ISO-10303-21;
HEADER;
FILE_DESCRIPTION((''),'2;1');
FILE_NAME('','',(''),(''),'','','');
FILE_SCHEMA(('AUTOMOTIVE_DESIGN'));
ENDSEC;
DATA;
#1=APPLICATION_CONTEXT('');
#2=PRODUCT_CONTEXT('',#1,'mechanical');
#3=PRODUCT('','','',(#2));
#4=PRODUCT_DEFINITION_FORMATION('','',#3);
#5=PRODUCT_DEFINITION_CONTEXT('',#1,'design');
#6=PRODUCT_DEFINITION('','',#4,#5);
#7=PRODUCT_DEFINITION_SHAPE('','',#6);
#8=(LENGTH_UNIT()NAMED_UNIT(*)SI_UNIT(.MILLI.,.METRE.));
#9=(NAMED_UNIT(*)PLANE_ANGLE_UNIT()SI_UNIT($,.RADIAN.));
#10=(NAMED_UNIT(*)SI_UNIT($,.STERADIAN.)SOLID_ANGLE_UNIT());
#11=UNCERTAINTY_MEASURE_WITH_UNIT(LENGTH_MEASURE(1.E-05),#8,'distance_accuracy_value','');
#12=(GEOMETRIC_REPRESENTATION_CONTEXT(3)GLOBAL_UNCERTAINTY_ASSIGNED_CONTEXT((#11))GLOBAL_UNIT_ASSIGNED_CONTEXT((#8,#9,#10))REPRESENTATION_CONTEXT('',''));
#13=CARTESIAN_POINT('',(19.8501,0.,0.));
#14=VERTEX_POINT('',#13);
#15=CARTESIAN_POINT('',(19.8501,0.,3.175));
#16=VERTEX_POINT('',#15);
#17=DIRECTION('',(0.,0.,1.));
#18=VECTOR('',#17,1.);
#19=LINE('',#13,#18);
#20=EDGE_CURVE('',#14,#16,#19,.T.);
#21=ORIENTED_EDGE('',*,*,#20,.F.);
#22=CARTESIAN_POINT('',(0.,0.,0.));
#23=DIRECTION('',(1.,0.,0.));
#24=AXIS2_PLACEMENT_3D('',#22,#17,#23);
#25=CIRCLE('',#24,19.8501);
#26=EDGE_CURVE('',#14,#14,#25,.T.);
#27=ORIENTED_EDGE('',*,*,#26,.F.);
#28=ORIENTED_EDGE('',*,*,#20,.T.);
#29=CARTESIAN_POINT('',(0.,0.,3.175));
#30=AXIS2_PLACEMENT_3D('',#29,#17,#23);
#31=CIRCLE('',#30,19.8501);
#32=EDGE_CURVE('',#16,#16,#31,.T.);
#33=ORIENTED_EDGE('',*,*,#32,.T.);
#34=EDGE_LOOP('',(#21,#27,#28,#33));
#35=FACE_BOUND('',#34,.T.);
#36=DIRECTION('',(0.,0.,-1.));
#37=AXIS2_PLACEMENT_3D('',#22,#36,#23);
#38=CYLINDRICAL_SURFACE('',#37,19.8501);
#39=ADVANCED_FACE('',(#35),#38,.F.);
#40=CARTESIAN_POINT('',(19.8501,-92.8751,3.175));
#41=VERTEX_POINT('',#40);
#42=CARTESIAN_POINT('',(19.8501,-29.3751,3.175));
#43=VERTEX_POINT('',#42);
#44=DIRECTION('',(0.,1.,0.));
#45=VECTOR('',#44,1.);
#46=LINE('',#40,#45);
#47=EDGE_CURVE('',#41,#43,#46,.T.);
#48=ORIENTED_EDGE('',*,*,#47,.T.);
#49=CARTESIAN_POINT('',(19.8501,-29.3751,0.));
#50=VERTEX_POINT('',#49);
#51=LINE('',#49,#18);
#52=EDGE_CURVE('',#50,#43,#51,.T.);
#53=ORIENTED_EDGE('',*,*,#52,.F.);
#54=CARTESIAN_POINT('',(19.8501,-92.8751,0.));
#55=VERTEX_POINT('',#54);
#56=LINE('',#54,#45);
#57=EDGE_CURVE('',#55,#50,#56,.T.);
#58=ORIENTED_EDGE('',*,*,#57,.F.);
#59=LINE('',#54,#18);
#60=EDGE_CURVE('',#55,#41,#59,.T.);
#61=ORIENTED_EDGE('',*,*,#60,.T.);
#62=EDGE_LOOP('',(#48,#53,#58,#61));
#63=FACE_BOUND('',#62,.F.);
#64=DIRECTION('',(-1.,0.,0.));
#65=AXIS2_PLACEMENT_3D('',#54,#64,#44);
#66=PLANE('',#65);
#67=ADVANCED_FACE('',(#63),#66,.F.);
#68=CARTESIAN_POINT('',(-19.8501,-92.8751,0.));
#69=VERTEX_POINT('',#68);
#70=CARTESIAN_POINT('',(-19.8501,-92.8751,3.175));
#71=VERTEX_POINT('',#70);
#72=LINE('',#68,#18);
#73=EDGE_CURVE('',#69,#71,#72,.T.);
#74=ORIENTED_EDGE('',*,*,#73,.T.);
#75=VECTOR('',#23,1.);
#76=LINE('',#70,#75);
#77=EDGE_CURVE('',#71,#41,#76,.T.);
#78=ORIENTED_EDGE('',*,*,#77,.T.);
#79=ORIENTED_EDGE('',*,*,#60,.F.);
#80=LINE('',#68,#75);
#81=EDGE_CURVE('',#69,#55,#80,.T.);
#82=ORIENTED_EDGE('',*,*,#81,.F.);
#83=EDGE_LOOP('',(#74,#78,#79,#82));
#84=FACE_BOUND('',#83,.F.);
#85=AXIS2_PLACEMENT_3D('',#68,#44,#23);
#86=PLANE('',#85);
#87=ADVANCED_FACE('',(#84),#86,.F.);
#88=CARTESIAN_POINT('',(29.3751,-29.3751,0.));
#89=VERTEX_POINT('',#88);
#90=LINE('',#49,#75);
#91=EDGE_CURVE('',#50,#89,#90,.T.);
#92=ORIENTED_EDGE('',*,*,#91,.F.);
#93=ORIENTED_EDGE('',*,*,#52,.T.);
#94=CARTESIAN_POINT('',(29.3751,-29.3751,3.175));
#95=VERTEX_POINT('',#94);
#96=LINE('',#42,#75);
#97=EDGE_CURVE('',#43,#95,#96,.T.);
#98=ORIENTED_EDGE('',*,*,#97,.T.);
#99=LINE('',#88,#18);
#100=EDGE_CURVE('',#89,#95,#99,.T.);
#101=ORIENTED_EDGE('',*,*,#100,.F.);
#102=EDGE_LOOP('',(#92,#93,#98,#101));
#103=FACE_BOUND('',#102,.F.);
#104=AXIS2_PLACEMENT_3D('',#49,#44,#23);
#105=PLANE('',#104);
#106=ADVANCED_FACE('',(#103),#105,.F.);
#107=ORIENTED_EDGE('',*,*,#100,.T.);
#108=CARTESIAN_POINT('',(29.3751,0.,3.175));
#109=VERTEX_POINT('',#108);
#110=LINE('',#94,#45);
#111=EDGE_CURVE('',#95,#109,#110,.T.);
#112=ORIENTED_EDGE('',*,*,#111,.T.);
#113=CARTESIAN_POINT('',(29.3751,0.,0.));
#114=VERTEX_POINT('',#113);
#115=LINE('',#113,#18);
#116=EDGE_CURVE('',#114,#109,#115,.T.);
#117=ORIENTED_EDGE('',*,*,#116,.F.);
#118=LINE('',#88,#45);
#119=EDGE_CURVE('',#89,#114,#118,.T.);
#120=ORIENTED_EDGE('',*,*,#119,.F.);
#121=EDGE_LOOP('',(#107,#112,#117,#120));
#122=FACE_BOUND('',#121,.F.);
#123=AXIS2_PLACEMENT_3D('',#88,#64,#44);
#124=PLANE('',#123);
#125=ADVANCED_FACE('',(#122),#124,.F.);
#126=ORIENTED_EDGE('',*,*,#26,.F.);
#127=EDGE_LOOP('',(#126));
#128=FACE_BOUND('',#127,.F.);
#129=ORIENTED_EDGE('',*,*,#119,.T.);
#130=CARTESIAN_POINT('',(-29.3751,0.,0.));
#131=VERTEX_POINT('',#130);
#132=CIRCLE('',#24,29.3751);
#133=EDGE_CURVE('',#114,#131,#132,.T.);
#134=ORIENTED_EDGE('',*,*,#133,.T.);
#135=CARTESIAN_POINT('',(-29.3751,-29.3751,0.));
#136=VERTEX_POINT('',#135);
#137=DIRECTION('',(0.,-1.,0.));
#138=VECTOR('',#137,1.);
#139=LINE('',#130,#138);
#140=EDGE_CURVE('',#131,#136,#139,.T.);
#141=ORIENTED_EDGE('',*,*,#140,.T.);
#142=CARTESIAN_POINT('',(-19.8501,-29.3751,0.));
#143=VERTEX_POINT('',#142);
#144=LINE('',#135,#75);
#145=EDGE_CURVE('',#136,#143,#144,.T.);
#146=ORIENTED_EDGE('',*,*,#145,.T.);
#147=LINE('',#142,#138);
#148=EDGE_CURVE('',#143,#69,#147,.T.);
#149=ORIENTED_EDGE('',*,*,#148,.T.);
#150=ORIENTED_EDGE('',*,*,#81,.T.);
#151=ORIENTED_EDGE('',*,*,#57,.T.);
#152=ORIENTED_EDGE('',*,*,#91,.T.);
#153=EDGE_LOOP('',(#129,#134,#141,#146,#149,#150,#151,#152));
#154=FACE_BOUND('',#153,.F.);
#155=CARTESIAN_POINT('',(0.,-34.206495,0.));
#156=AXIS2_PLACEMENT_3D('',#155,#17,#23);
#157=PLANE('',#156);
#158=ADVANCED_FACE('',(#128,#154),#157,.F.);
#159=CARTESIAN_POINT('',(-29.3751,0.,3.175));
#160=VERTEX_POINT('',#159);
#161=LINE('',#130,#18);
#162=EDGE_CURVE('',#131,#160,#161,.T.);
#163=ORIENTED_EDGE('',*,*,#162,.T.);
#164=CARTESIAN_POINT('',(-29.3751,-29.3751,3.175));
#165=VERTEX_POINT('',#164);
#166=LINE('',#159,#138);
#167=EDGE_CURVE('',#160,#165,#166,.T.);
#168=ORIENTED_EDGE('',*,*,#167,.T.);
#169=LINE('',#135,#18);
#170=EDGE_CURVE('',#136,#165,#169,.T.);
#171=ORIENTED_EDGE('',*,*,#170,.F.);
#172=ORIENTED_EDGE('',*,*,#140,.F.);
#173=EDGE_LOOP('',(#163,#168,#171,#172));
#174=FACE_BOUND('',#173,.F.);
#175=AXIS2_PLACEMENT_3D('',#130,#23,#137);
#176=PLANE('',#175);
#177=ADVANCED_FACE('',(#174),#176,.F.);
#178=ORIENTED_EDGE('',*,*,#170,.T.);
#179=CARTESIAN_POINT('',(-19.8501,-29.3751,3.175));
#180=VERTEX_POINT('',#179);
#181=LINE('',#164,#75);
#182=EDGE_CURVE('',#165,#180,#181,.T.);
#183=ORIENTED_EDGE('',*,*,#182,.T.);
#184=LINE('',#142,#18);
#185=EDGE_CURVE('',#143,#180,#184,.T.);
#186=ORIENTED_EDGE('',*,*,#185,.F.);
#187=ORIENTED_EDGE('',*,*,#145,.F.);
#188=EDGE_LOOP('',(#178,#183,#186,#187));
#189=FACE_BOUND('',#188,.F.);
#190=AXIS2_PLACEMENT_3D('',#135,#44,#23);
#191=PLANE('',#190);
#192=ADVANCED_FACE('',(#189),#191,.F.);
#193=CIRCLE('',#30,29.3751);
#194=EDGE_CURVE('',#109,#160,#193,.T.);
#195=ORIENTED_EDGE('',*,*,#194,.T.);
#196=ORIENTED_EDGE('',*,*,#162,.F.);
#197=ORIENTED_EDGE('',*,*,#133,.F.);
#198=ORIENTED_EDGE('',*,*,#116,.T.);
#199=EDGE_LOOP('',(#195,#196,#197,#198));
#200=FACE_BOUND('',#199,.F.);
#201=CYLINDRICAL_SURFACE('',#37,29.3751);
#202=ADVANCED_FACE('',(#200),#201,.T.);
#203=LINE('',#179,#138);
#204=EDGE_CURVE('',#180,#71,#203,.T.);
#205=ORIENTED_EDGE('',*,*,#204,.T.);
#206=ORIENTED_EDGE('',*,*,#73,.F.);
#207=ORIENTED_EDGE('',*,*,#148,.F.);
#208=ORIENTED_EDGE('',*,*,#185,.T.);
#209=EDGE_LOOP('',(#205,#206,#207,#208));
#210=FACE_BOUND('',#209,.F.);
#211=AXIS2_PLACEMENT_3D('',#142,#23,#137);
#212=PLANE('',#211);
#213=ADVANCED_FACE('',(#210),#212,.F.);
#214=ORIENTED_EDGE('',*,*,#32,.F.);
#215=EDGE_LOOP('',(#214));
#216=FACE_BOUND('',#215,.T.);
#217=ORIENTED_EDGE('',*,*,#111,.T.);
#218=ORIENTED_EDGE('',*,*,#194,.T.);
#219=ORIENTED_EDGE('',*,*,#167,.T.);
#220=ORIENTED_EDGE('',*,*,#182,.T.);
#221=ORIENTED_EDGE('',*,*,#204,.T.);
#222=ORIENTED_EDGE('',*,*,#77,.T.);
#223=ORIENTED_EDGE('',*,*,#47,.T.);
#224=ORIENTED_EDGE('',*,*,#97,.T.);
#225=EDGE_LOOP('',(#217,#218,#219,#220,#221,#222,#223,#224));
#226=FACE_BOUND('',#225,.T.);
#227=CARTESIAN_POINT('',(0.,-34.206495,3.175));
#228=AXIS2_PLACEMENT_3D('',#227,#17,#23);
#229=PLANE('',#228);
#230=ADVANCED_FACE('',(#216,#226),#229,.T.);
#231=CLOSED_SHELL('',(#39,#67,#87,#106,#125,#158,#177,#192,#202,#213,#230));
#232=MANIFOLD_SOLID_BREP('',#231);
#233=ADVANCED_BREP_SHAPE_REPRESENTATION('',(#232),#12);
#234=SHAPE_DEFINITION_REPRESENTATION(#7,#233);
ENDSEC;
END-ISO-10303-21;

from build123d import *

# Parameters (mm, degrees)
F0_R     = 19.8501
F1_DEPTH = 3.175


with BuildPart() as f1:
    # F0 (on Top) → F1 (new body)
    with BuildSketch(Plane.XY):
        with BuildLine():
            Line((-19.8501, -29.3751), (-19.8501, -92.8751))
            Line((-19.8501, -92.8751), (19.8501, -92.8751))
            Line((19.8501, -92.8751), (19.8501, -29.3751))
            Line((19.8501, -29.3751), (29.3751, -29.3751))
            Line((29.3751, -29.3751), (29.3751, 0))
            ThreePointArc((29.3751, 0), (0, 29.3751), (-29.3751, 0))
            Line((-29.3751, 0), (-29.3751, -29.3751))
            Line((-29.3751, -29.3751), (-19.8501, -29.3751))
        make_face()
        Circle(F0_R, mode=Mode.SUBTRACT)
    extrude(amount=F1_DEPTH)


solid = f1.part
